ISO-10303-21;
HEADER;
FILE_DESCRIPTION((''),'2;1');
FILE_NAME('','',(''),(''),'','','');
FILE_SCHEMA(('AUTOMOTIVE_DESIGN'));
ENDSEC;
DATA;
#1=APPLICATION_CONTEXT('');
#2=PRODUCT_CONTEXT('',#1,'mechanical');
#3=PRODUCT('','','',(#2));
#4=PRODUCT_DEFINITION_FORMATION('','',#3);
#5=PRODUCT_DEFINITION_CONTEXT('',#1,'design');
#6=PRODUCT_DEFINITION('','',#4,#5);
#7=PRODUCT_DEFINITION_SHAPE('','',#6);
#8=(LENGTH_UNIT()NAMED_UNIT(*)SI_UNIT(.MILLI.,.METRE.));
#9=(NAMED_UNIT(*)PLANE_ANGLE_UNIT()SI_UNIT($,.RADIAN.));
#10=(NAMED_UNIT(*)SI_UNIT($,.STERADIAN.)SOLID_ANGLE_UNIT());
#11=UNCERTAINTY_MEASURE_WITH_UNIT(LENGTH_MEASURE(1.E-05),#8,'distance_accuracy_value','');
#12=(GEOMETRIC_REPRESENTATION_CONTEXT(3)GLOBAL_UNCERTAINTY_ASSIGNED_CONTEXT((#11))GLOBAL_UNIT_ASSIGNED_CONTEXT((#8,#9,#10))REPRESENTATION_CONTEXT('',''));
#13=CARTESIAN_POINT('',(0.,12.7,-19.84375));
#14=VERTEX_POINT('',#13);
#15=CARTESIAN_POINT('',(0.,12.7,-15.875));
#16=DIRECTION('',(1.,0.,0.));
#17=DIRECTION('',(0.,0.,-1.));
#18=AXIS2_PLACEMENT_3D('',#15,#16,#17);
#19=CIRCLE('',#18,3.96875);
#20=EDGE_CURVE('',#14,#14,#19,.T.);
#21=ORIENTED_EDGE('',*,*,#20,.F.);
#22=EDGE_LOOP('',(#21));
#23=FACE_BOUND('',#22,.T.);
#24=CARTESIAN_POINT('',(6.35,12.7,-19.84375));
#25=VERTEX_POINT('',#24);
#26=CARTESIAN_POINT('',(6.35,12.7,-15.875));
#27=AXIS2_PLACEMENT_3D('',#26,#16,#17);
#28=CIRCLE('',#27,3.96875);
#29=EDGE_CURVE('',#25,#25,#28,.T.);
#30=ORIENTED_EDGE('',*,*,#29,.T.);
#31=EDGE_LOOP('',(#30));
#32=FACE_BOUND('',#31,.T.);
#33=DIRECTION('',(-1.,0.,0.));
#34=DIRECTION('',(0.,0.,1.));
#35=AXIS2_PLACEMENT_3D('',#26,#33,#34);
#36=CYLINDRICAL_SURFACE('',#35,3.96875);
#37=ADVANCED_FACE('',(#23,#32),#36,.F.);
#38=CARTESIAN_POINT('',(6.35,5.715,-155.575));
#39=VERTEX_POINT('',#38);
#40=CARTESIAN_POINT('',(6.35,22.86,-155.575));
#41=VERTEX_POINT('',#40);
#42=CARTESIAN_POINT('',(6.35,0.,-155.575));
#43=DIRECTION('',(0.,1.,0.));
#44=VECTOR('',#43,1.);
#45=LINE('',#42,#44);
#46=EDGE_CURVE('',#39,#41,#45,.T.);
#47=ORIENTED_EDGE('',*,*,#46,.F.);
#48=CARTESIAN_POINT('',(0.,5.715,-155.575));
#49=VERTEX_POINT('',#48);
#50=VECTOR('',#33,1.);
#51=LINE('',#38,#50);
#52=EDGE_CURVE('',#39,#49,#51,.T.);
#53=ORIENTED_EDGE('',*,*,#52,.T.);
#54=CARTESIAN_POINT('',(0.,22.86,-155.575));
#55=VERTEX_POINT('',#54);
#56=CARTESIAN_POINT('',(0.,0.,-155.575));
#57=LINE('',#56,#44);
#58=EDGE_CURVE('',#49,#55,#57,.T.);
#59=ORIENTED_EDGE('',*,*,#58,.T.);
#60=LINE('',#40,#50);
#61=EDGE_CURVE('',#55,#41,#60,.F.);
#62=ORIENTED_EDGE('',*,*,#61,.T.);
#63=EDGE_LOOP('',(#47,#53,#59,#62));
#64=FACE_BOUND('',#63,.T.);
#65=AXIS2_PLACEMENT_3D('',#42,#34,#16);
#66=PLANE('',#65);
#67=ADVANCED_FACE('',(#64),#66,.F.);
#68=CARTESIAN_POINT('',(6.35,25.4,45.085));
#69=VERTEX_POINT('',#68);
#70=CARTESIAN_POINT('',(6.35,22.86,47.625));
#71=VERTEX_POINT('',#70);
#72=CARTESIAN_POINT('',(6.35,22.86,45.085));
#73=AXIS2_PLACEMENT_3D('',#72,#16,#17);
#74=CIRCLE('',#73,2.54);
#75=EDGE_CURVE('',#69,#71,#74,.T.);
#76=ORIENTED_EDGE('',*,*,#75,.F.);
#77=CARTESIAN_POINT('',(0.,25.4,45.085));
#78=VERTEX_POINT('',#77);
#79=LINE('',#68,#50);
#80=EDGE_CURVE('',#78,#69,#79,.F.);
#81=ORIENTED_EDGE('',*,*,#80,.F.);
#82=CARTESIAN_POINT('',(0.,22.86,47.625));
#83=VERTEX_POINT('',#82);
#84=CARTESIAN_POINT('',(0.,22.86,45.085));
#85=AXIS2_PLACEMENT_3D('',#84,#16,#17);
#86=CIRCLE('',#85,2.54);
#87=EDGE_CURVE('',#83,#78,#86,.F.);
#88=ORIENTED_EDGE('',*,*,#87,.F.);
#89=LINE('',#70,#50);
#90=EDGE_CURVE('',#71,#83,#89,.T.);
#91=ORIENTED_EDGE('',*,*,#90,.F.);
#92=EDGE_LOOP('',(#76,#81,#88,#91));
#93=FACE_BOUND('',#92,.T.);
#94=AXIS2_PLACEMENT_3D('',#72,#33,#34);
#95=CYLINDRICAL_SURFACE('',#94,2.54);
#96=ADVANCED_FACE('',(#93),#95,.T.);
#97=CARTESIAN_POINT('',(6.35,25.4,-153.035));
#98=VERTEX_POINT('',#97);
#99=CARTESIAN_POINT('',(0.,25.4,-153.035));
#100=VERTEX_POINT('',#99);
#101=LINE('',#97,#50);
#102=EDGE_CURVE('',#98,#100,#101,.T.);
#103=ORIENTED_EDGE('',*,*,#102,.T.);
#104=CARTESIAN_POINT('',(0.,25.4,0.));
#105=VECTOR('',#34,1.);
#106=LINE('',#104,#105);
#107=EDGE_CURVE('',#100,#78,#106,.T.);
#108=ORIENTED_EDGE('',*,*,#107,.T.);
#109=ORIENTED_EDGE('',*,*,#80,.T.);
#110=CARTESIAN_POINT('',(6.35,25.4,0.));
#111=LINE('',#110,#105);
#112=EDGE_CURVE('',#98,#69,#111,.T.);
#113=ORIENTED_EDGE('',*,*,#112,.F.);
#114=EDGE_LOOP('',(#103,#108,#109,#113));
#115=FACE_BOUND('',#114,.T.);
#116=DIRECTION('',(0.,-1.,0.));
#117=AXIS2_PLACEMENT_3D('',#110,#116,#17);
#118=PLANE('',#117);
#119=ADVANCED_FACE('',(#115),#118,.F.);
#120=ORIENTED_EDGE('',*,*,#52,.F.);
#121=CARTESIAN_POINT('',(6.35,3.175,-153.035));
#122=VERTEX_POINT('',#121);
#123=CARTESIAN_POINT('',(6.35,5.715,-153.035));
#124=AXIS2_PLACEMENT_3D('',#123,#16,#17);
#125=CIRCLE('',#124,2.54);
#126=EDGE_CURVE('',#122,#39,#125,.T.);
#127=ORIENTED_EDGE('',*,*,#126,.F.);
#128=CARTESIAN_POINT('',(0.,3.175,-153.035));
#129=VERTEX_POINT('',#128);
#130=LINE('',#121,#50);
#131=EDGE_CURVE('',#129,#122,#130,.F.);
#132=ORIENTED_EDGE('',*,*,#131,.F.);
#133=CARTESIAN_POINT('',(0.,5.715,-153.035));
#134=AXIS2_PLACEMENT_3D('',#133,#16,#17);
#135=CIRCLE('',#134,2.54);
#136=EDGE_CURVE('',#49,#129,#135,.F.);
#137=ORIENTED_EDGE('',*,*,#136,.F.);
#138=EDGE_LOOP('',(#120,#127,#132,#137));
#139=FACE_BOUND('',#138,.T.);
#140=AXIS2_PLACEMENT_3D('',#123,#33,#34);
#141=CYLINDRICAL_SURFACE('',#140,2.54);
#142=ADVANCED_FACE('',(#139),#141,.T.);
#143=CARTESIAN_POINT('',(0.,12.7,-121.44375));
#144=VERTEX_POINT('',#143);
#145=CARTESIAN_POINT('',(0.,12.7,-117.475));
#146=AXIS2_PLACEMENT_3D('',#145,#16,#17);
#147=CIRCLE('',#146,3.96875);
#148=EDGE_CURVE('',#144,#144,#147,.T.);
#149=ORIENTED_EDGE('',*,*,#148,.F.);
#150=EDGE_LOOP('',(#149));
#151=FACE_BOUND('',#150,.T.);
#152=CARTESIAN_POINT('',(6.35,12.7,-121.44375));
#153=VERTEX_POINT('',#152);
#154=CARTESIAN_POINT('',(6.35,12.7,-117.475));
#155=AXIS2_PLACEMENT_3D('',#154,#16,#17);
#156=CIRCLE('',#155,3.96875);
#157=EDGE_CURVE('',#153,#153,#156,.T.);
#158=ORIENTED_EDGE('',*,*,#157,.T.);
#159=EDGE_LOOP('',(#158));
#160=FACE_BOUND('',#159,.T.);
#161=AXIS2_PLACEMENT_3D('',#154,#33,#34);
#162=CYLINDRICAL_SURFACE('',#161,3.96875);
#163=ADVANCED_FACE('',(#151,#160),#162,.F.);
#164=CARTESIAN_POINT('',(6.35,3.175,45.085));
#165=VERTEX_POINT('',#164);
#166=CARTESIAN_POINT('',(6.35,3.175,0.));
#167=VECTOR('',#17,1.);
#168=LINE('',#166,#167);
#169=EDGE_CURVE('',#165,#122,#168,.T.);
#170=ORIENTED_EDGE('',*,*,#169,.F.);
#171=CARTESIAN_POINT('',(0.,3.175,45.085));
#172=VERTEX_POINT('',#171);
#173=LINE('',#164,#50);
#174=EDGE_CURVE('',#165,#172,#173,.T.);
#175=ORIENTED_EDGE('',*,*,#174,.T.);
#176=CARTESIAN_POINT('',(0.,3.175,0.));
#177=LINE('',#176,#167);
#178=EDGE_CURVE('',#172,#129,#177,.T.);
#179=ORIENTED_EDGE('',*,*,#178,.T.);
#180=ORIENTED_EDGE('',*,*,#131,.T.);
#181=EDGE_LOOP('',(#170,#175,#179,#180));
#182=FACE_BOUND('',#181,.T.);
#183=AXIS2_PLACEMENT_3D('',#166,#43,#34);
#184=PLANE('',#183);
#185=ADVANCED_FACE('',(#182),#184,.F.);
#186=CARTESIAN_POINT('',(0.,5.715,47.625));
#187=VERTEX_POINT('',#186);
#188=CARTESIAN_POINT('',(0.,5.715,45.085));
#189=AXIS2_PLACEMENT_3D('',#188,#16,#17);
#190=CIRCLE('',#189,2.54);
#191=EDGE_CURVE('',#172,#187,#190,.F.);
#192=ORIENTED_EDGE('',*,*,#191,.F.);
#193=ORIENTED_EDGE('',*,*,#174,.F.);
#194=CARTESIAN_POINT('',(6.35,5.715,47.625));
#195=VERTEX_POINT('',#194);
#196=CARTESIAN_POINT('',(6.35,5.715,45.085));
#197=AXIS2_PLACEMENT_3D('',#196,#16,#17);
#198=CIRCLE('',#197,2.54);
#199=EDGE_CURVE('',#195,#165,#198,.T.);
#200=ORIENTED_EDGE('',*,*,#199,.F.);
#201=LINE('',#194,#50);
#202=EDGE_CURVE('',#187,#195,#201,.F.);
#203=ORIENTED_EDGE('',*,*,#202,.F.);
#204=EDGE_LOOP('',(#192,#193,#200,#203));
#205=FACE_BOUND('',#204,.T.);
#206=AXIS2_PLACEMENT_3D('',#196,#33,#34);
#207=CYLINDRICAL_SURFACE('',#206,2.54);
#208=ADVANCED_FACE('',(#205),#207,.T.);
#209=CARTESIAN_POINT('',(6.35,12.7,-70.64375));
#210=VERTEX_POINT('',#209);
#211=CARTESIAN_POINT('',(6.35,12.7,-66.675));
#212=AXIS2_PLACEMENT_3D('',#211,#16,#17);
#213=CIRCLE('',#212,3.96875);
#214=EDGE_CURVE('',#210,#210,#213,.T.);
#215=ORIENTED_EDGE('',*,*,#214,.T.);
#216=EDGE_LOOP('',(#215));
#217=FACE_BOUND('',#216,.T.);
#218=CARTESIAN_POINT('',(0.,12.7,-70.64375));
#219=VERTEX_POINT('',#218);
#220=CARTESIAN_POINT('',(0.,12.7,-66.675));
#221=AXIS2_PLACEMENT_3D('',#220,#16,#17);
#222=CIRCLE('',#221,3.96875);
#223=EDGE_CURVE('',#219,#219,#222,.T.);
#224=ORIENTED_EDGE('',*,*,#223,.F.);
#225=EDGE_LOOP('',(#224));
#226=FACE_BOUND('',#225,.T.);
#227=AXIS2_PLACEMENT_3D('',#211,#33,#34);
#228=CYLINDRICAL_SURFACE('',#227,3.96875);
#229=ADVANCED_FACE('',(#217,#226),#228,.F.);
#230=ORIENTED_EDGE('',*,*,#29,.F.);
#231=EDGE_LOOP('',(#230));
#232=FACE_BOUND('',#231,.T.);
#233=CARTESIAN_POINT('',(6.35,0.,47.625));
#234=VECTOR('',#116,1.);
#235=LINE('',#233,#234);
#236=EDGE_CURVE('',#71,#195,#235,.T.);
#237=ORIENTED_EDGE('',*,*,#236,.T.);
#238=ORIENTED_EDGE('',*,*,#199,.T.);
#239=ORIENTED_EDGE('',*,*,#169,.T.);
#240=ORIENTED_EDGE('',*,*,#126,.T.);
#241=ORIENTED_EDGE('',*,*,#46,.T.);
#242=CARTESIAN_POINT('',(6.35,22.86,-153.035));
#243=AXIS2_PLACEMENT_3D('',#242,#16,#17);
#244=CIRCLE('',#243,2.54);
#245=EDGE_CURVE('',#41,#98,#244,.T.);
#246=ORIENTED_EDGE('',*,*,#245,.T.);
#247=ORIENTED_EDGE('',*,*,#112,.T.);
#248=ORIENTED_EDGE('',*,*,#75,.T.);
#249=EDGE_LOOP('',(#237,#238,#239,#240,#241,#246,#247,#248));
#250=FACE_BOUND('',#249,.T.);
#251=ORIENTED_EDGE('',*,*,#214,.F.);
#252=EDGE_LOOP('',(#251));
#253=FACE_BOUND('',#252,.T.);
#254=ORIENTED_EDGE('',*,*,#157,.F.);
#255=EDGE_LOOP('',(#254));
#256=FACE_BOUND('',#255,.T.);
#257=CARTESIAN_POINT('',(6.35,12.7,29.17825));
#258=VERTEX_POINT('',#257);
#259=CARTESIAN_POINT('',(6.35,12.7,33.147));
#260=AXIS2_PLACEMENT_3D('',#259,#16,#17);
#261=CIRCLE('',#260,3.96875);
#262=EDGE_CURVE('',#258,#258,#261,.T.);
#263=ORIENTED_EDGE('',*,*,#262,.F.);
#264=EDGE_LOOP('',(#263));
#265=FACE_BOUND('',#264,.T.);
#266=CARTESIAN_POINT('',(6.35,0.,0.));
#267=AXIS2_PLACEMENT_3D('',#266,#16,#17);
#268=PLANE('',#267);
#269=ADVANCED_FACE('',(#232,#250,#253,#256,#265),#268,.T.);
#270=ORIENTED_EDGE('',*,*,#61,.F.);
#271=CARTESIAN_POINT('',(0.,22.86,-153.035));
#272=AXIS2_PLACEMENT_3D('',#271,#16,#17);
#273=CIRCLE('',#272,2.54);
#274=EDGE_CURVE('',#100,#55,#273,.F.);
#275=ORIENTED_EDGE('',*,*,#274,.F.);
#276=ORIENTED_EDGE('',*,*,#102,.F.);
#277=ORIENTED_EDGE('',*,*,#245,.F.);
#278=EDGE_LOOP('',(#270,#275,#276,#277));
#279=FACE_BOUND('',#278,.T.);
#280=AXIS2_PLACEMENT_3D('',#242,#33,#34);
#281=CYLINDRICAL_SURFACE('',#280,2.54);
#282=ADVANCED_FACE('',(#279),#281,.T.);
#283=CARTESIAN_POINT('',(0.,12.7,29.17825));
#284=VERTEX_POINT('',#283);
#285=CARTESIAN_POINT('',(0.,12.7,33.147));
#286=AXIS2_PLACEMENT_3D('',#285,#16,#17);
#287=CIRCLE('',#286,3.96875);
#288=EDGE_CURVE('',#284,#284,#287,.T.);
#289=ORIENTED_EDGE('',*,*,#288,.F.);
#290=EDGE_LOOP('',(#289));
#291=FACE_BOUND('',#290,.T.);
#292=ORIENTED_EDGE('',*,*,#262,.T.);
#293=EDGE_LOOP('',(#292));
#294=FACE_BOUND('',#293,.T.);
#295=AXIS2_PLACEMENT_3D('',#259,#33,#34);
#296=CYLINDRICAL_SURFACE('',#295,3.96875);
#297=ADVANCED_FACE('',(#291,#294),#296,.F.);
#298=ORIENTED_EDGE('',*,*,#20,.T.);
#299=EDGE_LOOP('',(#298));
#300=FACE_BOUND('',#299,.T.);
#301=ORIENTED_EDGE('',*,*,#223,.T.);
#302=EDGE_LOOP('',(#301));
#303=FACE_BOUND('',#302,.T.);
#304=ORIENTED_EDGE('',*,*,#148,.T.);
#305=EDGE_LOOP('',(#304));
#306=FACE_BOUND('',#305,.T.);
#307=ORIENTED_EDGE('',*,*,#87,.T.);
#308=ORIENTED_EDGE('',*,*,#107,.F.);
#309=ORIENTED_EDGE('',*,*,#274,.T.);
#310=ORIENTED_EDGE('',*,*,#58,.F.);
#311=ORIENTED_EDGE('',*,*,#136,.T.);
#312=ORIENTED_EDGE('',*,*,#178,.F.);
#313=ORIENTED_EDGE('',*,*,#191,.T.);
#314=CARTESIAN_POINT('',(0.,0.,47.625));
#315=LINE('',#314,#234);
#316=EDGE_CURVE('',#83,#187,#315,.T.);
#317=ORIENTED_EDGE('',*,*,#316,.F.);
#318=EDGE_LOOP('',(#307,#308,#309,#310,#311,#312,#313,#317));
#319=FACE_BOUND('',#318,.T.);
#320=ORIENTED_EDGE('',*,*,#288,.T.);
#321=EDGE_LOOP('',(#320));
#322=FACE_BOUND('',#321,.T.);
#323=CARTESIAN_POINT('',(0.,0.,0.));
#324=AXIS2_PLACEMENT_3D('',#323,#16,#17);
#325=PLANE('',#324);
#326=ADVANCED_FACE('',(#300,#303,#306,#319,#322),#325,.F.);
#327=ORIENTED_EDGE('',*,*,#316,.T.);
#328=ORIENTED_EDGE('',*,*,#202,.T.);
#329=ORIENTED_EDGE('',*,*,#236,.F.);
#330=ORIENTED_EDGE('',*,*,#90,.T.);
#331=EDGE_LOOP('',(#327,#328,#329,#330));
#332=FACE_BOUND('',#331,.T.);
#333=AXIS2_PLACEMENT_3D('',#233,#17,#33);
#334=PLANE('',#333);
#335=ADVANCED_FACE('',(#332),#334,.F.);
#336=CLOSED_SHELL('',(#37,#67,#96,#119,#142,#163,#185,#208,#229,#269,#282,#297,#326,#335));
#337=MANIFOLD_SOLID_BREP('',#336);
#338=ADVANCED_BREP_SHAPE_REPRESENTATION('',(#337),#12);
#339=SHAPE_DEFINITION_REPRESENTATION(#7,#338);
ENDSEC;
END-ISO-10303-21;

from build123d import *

# Parameters (mm, degrees)
SKETCH1_W           = 203.2
SKETCH1_H           = 22.225
SKETCH1_R           = 3.96875
BOSS_EXTRUDE1_DEPTH = 6.35
FILLET1_R           = 2.54


with BuildPart() as part:
    # Sketch1 → Boss-Extrude1 (new body)
    with BuildSketch(Plane(origin=(0, 0, 0), x_dir=(0, 0, -1), z_dir=(1, 0, 0))):
        with Locations((53.975, 14.2875)):
            Rectangle(SKETCH1_W, SKETCH1_H)
        with Locations((-33.147, 12.7)):
            Circle(SKETCH1_R, mode=Mode.SUBTRACT)
        with Locations((117.475, 12.7)):
            Circle(SKETCH1_R, mode=Mode.SUBTRACT)
        with Locations((15.875, 12.7)):
            Circle(SKETCH1_R, mode=Mode.SUBTRACT)
        with Locations((66.675, 12.7)):
            Circle(SKETCH1_R, mode=Mode.SUBTRACT)
    extrude(amount=BOSS_EXTRUDE1_DEPTH)

    # Fillet1
    fillet1_edges = [part.edges().sort_by_distance(p)[0] for p in [
        (3.175, 25.4, 47.625),
        (3.175, 25.4, -155.575),
        (3.175, 3.175, -155.575),
        (3.175, 3.175, 47.625),
    ]]
    fillet(fillet1_edges, radius=FILLET1_R)


solid = part.part
